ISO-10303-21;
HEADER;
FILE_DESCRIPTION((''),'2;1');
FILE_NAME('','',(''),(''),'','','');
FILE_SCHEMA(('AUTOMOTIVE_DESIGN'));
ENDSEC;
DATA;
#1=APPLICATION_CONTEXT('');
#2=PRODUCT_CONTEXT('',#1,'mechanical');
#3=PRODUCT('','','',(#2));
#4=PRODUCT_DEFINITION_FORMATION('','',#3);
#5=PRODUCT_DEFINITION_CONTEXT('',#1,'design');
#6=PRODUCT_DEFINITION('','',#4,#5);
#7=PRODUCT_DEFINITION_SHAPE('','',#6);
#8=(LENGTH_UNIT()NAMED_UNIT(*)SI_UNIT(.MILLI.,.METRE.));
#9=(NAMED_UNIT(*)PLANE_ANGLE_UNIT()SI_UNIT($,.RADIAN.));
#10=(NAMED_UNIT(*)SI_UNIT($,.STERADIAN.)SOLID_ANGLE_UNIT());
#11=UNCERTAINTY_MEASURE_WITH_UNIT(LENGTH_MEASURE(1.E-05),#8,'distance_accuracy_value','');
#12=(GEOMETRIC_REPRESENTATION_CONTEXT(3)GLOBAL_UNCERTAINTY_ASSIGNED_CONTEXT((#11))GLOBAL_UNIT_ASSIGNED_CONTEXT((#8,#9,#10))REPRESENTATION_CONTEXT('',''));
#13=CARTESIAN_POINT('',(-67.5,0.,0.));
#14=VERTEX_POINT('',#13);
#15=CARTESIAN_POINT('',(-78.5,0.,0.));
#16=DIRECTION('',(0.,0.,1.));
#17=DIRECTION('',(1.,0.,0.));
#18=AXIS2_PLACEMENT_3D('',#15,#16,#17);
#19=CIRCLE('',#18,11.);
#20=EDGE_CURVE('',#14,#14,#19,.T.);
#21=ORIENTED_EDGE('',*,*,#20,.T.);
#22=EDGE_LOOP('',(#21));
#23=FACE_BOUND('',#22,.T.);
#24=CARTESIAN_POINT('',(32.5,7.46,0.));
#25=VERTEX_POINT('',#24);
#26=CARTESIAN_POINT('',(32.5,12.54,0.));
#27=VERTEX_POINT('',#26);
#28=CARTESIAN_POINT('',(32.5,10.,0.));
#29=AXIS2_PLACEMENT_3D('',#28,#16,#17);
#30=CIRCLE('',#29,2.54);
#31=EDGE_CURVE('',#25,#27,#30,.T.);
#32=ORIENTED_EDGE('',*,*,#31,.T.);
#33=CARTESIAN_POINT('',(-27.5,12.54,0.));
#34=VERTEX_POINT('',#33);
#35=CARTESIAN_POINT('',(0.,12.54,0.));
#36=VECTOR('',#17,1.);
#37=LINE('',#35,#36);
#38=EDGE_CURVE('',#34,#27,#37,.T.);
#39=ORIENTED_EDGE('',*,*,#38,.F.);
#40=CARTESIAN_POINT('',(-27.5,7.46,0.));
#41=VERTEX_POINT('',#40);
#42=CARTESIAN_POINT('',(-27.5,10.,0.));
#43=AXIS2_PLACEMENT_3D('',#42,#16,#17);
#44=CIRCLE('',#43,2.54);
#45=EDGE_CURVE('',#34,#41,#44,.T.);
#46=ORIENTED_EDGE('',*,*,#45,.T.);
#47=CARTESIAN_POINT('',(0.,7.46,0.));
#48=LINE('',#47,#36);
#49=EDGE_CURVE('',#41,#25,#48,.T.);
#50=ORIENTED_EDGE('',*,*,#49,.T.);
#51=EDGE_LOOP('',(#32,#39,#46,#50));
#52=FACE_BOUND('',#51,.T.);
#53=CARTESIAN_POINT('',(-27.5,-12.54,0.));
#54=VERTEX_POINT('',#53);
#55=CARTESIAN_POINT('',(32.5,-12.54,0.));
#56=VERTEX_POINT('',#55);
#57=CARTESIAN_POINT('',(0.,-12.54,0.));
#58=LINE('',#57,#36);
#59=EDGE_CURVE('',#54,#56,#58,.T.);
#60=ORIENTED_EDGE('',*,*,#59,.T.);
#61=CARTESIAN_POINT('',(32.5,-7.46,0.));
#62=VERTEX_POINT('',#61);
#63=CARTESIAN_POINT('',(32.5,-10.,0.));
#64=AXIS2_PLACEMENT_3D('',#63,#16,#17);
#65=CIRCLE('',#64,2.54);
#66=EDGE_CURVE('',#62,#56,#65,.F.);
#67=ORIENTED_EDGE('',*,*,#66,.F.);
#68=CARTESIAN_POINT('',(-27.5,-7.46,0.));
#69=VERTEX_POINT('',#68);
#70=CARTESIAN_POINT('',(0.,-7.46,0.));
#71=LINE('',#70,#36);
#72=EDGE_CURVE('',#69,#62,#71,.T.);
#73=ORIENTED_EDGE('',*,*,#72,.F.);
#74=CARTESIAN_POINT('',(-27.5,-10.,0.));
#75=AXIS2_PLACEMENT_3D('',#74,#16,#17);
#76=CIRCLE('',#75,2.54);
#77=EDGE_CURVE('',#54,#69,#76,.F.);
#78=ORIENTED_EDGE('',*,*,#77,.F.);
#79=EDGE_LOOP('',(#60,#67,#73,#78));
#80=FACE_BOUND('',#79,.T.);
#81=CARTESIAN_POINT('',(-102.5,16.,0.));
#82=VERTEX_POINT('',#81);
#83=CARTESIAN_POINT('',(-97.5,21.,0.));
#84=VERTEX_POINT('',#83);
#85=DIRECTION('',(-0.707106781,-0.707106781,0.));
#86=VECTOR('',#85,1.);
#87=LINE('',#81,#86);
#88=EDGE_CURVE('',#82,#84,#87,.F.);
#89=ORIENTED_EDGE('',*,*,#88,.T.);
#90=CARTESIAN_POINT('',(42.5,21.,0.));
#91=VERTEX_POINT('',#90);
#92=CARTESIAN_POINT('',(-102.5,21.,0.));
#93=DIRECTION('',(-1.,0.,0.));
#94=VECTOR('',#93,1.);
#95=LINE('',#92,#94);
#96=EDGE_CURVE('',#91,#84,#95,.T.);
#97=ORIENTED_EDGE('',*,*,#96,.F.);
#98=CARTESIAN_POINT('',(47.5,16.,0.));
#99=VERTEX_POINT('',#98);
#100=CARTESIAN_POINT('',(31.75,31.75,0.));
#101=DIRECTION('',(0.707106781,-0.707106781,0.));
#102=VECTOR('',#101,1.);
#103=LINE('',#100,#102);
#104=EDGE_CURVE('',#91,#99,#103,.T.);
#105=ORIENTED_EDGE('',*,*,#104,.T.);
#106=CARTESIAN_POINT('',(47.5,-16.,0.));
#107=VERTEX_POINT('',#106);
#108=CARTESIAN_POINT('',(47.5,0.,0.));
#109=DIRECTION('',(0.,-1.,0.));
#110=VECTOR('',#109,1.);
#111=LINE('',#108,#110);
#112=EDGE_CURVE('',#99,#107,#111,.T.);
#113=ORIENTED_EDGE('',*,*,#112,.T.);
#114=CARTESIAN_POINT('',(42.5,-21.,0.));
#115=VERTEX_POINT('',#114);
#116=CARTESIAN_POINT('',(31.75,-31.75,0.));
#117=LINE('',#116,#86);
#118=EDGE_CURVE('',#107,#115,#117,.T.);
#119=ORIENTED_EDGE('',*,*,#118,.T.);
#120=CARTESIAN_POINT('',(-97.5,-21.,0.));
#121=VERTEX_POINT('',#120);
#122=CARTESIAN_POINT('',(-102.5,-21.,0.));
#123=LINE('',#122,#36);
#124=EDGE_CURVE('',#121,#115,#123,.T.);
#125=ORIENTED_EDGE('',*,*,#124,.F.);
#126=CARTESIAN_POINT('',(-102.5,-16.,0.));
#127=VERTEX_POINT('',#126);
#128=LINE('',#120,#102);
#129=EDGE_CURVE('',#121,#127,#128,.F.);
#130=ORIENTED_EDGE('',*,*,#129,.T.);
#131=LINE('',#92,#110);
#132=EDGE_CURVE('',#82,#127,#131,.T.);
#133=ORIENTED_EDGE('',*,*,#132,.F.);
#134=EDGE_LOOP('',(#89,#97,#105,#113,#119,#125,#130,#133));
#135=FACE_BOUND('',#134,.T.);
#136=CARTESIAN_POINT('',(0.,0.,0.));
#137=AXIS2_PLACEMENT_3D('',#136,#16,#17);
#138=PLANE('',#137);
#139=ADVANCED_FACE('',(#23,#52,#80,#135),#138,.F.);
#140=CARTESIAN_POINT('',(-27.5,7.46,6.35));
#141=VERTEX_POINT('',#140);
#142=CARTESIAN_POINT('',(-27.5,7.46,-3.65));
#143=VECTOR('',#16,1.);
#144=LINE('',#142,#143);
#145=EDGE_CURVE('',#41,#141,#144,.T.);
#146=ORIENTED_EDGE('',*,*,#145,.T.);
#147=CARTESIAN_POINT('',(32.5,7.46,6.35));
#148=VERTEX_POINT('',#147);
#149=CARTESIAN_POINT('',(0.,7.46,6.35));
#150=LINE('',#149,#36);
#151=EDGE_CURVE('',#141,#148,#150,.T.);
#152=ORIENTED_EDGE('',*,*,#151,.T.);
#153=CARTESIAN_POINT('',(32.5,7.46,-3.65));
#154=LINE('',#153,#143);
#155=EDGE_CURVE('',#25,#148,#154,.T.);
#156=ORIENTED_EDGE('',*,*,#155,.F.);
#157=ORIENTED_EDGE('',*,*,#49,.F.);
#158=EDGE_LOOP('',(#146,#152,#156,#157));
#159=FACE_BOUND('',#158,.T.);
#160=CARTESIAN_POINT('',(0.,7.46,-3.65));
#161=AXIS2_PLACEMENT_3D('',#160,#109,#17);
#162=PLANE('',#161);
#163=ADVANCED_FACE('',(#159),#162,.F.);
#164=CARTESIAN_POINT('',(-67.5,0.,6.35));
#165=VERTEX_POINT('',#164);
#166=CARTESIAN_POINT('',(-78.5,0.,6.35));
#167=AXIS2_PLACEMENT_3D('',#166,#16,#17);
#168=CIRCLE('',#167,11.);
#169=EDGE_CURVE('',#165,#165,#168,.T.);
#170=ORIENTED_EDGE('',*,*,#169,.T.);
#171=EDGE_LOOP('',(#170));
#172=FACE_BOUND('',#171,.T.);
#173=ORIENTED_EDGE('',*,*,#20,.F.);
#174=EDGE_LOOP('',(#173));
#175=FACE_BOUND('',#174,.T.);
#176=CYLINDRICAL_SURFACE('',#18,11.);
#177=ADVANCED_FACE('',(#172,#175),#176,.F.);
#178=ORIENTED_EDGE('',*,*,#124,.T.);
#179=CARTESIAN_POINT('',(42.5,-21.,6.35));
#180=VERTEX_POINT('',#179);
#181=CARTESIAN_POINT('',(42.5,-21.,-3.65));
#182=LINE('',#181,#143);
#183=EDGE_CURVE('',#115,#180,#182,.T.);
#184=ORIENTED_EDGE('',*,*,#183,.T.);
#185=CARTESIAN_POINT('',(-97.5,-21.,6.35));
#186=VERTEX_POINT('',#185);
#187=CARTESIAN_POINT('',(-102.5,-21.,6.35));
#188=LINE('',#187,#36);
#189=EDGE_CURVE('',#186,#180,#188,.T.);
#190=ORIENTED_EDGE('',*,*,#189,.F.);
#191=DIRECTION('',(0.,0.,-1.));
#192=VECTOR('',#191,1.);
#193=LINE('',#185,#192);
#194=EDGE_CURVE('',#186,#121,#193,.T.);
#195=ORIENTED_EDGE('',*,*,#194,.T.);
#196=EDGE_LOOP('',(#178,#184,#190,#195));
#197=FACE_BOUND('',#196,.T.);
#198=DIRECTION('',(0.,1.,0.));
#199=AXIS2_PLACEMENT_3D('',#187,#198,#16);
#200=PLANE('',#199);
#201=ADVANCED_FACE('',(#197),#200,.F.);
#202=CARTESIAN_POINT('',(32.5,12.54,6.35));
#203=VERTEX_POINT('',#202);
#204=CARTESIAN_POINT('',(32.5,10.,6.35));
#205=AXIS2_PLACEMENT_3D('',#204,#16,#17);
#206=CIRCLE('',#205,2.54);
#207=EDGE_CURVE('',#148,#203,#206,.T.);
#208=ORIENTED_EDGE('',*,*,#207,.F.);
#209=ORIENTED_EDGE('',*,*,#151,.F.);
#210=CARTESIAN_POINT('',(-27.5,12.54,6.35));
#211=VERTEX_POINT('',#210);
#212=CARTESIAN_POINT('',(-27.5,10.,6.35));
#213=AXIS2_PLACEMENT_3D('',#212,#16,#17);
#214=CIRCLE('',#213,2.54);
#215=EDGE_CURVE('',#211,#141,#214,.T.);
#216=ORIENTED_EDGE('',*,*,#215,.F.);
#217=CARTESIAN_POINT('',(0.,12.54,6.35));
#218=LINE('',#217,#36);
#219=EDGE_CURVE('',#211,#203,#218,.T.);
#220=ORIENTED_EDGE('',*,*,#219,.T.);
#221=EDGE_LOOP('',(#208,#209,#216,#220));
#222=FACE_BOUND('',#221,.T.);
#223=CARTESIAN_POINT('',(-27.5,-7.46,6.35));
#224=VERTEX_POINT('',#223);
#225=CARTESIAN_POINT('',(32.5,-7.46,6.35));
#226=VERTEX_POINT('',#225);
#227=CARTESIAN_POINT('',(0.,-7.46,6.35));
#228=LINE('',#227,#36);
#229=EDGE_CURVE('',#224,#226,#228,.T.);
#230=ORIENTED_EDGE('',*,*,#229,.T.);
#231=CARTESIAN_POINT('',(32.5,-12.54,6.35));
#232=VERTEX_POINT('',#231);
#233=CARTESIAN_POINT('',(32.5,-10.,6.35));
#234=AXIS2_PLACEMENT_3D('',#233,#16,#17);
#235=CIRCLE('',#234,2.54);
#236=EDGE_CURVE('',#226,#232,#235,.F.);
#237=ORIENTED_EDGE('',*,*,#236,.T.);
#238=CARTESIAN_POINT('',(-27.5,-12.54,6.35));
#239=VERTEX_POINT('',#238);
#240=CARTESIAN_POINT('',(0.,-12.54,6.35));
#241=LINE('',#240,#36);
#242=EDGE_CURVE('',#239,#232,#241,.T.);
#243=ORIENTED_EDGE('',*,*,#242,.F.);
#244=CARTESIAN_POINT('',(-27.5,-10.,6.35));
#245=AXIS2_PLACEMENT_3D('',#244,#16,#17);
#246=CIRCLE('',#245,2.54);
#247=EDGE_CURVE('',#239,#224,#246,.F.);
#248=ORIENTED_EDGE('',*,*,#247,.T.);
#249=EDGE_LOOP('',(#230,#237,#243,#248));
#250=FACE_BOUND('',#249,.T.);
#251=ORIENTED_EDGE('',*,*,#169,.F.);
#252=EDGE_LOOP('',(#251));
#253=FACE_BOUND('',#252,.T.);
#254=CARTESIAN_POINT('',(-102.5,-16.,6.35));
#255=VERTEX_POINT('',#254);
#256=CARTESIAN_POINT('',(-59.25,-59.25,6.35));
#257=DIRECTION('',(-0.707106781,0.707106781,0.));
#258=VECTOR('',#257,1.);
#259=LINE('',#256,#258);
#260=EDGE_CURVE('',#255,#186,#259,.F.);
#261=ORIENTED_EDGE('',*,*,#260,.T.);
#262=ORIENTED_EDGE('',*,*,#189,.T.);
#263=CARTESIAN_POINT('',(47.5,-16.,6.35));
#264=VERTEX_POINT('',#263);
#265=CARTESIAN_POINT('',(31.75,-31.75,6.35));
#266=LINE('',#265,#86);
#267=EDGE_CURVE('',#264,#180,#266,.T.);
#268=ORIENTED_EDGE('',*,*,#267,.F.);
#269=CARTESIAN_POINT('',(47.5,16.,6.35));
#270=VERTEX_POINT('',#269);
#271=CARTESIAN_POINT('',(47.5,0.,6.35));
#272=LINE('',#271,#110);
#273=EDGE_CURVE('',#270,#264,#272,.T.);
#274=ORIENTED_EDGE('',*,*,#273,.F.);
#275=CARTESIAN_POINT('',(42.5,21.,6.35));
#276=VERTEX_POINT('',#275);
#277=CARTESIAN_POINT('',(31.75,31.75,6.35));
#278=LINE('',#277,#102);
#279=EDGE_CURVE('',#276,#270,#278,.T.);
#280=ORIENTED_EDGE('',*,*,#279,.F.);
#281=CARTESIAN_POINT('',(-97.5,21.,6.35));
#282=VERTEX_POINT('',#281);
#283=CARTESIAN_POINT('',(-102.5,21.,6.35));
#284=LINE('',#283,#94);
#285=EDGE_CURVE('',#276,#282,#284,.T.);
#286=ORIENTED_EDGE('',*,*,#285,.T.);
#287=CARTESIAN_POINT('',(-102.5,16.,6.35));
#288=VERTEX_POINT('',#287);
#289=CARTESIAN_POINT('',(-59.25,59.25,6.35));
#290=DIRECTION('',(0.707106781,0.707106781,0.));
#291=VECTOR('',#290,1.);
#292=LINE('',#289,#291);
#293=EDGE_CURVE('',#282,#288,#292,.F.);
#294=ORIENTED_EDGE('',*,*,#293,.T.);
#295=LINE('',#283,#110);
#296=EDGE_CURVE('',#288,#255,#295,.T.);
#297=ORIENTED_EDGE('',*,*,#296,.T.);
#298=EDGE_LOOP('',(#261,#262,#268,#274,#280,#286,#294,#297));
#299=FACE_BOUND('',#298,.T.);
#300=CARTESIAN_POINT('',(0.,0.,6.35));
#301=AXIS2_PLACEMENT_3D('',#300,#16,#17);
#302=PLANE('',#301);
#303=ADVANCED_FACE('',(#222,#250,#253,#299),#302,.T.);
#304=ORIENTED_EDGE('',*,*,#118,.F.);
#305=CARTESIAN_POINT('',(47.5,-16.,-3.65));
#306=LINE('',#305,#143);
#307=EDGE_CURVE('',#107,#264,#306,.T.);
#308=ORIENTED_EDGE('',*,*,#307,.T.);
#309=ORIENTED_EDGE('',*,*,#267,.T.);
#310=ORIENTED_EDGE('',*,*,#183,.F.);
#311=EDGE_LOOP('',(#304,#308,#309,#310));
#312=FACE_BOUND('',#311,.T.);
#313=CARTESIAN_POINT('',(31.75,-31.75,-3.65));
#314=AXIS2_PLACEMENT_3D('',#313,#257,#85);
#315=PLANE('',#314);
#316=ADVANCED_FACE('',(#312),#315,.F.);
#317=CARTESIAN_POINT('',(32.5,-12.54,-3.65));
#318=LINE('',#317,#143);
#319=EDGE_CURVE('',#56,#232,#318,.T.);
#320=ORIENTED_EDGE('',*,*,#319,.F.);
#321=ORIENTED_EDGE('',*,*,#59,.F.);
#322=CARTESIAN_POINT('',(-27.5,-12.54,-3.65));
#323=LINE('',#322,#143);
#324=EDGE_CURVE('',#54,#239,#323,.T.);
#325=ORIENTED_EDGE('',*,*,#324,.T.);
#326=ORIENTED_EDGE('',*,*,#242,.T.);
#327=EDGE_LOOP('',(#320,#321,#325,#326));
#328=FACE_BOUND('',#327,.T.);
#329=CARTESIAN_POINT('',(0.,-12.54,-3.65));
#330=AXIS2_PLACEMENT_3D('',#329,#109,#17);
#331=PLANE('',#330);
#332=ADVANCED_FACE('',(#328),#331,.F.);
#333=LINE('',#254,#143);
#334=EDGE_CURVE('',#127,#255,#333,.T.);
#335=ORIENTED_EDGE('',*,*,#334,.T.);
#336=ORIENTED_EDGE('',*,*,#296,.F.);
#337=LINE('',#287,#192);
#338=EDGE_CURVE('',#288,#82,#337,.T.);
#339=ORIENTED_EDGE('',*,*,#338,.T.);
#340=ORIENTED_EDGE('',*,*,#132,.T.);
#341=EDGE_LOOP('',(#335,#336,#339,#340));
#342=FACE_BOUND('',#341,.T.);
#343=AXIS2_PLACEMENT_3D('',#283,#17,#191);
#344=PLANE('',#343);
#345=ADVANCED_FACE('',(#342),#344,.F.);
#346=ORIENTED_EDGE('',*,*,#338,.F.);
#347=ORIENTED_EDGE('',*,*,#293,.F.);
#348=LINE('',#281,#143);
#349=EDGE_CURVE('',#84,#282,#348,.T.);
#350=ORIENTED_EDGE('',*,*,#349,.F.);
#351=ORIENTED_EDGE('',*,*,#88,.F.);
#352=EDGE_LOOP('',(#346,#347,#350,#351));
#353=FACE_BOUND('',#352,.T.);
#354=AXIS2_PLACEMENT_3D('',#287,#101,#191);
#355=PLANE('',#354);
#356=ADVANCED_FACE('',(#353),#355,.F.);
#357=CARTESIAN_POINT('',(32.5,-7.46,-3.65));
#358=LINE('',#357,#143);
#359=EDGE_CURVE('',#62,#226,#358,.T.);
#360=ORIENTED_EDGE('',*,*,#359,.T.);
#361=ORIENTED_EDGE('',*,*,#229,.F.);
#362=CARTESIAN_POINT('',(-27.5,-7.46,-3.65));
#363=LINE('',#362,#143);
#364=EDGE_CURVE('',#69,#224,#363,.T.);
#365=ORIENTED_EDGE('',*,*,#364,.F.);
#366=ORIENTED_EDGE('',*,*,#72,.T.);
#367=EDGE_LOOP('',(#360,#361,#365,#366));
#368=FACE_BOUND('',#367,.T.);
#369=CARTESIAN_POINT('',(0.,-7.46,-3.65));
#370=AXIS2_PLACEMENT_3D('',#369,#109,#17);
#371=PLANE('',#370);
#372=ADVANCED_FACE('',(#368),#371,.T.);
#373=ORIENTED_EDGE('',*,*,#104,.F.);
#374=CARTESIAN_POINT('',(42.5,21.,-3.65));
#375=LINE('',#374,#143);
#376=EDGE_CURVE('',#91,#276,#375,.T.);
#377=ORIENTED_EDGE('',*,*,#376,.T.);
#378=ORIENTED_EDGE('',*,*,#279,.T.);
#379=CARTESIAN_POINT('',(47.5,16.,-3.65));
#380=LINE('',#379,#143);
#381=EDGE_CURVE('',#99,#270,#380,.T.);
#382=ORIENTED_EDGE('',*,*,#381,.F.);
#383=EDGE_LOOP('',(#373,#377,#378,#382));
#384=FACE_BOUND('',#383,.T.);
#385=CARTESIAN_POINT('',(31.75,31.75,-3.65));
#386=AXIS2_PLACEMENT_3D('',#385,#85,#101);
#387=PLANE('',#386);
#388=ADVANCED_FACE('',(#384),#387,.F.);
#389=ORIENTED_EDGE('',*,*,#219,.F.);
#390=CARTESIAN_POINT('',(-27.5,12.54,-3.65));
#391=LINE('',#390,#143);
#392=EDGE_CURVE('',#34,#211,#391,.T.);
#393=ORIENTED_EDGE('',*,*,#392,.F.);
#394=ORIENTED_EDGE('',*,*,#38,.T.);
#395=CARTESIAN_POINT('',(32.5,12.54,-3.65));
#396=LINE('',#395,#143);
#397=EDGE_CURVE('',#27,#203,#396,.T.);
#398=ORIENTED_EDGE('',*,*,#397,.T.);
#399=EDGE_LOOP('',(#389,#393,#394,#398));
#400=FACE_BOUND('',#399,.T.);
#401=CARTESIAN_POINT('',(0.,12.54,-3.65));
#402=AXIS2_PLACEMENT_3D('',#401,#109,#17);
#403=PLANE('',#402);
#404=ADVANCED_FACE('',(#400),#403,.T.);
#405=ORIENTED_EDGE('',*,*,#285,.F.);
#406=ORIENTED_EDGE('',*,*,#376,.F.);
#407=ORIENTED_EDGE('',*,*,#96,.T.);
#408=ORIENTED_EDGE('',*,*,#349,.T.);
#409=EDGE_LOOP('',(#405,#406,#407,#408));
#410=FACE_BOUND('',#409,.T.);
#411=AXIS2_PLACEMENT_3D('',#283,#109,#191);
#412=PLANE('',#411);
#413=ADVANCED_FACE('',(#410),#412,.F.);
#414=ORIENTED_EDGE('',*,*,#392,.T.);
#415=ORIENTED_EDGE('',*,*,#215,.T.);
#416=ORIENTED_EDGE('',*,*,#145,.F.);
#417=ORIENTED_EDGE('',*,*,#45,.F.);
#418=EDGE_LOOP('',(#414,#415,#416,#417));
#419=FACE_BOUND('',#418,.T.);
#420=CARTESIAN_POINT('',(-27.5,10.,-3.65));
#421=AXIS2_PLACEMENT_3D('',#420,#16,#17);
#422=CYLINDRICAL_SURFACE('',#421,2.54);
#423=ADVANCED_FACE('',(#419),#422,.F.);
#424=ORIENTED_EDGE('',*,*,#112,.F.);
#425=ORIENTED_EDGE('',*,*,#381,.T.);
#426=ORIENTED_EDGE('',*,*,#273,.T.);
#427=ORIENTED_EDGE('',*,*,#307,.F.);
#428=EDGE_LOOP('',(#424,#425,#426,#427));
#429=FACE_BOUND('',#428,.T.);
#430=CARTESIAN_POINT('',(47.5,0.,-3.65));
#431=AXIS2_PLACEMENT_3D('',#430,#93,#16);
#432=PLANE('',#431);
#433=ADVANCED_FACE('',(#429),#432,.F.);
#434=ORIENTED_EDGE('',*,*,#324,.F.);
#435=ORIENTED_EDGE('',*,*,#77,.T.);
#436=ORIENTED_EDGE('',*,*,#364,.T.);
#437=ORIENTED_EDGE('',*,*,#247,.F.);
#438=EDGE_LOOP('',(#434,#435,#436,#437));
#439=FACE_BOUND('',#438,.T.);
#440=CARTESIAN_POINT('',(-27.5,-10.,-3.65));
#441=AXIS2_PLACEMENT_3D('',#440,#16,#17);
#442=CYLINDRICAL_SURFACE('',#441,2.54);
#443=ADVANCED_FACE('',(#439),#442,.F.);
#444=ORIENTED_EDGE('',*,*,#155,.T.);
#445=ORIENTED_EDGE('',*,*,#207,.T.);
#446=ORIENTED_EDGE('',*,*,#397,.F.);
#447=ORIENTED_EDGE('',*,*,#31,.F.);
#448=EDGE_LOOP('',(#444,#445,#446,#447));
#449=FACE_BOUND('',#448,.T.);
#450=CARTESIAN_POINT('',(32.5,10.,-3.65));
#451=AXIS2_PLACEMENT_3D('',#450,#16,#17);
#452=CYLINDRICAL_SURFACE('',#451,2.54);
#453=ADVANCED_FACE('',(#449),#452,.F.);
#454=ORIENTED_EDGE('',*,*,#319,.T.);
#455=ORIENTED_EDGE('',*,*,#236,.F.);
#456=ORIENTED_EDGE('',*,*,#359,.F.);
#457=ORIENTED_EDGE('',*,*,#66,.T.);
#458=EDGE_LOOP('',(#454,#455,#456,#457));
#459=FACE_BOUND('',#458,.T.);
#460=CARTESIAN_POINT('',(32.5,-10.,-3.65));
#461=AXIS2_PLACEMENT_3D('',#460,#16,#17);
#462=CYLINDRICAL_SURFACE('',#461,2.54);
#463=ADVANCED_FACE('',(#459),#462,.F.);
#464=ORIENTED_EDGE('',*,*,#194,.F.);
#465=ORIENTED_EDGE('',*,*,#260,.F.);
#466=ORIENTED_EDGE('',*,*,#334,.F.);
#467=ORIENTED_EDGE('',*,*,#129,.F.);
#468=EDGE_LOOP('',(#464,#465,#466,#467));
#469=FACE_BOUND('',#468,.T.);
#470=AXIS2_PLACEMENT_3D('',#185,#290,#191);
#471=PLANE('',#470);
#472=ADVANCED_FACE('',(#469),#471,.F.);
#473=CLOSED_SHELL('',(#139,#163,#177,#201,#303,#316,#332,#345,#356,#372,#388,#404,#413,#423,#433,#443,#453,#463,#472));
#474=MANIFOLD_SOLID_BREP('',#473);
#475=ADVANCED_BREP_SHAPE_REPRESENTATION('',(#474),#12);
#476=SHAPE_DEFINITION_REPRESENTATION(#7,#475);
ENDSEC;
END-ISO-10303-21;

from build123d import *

# Parameters (mm, degrees)
SKETCH1_W           = 205
SKETCH1_H           = 42
BOSS_EXTRUDE1_DEPTH = 6.35
SKETCH4_R           = 11
CUT_EXTRUDE3_DEPTH  = 7.35
CHAMFER1_SIZE       = 5
SKETCH9_R           = 11
CUT_EXTRUDE8_DEPTH  = 7.35
SKETCH13_R          = 11
CUT_EXTRUDE10_DEPTH = 10


with BuildPart() as part:
    # Sketch1 → Boss-Extrude1 (new body)
    with BuildSketch(Plane.XY):
        Rectangle(SKETCH1_W, SKETCH1_H)
    extrude(amount=BOSS_EXTRUDE1_DEPTH)

    # Sketch4 → Cut-Extrude3 (cut, through all)
    with BuildSketch(Plane.XY.offset(6.35)):
        with Locations((-78.5, 0)):
            Circle(SKETCH4_R)
    extrude(amount=-CUT_EXTRUDE3_DEPTH, mode=Mode.SUBTRACT)

    # Chamfer1
    chamfer1_edges = [part.edges().sort_by_distance(p)[0] for p in [
        (102.5, -21, 3.175),
        (-102.5, -21, 3.175),
        (-102.5, 21, 3.175),
        (102.5, 21, 3.175),
    ]]
    chamfer(chamfer1_edges, length=CHAMFER1_SIZE)

    # Sketch9 → Cut-Extrude8 (cut, through all)
    with BuildSketch(Plane.XY.offset(6.35)):
        with Locations((82.5, 0)):
            Circle(SKETCH9_R)
    extrude(amount=-CUT_EXTRUDE8_DEPTH, mode=Mode.SUBTRACT)

    # Sketch13 → Cut-Extrude10 (cut)
    with BuildSketch(Plane.XY.offset(6.35)):
        Polygon((42.5, 21), (47.5, 16), (47.5, -16), (42.5, -21), (97.5, -21), (102.5, -16), (102.5, 16), (97.5, 21), align=None)
        with Locations((82.5, 0)):
            Circle(SKETCH13_R, mode=Mode.SUBTRACT)
        with BuildLine():
            Line((-27.5, 7.46), (32.5, 7.46))
            ThreePointArc((32.5, 7.46), (35.04, 10), (32.5, 12.54))
            Line((32.5, 12.54), (-27.5, 12.54))
            ThreePointArc((-27.5, 12.54), (-30.04, 10), (-27.5, 7.46))
        make_face()
        with BuildLine():
            ThreePointArc((32.5, -7.46), (35.04, -10), (32.5, -12.54))
            Line((32.5, -12.54), (-27.5, -12.54))
            ThreePointArc((-27.5, -12.54), (-30.04, -10), (-27.5, -7.46))
            Line((-27.5, -7.46), (32.5, -7.46))
        make_face()
    extrude(amount=-CUT_EXTRUDE10_DEPTH, mode=Mode.SUBTRACT)


solid = part.part
